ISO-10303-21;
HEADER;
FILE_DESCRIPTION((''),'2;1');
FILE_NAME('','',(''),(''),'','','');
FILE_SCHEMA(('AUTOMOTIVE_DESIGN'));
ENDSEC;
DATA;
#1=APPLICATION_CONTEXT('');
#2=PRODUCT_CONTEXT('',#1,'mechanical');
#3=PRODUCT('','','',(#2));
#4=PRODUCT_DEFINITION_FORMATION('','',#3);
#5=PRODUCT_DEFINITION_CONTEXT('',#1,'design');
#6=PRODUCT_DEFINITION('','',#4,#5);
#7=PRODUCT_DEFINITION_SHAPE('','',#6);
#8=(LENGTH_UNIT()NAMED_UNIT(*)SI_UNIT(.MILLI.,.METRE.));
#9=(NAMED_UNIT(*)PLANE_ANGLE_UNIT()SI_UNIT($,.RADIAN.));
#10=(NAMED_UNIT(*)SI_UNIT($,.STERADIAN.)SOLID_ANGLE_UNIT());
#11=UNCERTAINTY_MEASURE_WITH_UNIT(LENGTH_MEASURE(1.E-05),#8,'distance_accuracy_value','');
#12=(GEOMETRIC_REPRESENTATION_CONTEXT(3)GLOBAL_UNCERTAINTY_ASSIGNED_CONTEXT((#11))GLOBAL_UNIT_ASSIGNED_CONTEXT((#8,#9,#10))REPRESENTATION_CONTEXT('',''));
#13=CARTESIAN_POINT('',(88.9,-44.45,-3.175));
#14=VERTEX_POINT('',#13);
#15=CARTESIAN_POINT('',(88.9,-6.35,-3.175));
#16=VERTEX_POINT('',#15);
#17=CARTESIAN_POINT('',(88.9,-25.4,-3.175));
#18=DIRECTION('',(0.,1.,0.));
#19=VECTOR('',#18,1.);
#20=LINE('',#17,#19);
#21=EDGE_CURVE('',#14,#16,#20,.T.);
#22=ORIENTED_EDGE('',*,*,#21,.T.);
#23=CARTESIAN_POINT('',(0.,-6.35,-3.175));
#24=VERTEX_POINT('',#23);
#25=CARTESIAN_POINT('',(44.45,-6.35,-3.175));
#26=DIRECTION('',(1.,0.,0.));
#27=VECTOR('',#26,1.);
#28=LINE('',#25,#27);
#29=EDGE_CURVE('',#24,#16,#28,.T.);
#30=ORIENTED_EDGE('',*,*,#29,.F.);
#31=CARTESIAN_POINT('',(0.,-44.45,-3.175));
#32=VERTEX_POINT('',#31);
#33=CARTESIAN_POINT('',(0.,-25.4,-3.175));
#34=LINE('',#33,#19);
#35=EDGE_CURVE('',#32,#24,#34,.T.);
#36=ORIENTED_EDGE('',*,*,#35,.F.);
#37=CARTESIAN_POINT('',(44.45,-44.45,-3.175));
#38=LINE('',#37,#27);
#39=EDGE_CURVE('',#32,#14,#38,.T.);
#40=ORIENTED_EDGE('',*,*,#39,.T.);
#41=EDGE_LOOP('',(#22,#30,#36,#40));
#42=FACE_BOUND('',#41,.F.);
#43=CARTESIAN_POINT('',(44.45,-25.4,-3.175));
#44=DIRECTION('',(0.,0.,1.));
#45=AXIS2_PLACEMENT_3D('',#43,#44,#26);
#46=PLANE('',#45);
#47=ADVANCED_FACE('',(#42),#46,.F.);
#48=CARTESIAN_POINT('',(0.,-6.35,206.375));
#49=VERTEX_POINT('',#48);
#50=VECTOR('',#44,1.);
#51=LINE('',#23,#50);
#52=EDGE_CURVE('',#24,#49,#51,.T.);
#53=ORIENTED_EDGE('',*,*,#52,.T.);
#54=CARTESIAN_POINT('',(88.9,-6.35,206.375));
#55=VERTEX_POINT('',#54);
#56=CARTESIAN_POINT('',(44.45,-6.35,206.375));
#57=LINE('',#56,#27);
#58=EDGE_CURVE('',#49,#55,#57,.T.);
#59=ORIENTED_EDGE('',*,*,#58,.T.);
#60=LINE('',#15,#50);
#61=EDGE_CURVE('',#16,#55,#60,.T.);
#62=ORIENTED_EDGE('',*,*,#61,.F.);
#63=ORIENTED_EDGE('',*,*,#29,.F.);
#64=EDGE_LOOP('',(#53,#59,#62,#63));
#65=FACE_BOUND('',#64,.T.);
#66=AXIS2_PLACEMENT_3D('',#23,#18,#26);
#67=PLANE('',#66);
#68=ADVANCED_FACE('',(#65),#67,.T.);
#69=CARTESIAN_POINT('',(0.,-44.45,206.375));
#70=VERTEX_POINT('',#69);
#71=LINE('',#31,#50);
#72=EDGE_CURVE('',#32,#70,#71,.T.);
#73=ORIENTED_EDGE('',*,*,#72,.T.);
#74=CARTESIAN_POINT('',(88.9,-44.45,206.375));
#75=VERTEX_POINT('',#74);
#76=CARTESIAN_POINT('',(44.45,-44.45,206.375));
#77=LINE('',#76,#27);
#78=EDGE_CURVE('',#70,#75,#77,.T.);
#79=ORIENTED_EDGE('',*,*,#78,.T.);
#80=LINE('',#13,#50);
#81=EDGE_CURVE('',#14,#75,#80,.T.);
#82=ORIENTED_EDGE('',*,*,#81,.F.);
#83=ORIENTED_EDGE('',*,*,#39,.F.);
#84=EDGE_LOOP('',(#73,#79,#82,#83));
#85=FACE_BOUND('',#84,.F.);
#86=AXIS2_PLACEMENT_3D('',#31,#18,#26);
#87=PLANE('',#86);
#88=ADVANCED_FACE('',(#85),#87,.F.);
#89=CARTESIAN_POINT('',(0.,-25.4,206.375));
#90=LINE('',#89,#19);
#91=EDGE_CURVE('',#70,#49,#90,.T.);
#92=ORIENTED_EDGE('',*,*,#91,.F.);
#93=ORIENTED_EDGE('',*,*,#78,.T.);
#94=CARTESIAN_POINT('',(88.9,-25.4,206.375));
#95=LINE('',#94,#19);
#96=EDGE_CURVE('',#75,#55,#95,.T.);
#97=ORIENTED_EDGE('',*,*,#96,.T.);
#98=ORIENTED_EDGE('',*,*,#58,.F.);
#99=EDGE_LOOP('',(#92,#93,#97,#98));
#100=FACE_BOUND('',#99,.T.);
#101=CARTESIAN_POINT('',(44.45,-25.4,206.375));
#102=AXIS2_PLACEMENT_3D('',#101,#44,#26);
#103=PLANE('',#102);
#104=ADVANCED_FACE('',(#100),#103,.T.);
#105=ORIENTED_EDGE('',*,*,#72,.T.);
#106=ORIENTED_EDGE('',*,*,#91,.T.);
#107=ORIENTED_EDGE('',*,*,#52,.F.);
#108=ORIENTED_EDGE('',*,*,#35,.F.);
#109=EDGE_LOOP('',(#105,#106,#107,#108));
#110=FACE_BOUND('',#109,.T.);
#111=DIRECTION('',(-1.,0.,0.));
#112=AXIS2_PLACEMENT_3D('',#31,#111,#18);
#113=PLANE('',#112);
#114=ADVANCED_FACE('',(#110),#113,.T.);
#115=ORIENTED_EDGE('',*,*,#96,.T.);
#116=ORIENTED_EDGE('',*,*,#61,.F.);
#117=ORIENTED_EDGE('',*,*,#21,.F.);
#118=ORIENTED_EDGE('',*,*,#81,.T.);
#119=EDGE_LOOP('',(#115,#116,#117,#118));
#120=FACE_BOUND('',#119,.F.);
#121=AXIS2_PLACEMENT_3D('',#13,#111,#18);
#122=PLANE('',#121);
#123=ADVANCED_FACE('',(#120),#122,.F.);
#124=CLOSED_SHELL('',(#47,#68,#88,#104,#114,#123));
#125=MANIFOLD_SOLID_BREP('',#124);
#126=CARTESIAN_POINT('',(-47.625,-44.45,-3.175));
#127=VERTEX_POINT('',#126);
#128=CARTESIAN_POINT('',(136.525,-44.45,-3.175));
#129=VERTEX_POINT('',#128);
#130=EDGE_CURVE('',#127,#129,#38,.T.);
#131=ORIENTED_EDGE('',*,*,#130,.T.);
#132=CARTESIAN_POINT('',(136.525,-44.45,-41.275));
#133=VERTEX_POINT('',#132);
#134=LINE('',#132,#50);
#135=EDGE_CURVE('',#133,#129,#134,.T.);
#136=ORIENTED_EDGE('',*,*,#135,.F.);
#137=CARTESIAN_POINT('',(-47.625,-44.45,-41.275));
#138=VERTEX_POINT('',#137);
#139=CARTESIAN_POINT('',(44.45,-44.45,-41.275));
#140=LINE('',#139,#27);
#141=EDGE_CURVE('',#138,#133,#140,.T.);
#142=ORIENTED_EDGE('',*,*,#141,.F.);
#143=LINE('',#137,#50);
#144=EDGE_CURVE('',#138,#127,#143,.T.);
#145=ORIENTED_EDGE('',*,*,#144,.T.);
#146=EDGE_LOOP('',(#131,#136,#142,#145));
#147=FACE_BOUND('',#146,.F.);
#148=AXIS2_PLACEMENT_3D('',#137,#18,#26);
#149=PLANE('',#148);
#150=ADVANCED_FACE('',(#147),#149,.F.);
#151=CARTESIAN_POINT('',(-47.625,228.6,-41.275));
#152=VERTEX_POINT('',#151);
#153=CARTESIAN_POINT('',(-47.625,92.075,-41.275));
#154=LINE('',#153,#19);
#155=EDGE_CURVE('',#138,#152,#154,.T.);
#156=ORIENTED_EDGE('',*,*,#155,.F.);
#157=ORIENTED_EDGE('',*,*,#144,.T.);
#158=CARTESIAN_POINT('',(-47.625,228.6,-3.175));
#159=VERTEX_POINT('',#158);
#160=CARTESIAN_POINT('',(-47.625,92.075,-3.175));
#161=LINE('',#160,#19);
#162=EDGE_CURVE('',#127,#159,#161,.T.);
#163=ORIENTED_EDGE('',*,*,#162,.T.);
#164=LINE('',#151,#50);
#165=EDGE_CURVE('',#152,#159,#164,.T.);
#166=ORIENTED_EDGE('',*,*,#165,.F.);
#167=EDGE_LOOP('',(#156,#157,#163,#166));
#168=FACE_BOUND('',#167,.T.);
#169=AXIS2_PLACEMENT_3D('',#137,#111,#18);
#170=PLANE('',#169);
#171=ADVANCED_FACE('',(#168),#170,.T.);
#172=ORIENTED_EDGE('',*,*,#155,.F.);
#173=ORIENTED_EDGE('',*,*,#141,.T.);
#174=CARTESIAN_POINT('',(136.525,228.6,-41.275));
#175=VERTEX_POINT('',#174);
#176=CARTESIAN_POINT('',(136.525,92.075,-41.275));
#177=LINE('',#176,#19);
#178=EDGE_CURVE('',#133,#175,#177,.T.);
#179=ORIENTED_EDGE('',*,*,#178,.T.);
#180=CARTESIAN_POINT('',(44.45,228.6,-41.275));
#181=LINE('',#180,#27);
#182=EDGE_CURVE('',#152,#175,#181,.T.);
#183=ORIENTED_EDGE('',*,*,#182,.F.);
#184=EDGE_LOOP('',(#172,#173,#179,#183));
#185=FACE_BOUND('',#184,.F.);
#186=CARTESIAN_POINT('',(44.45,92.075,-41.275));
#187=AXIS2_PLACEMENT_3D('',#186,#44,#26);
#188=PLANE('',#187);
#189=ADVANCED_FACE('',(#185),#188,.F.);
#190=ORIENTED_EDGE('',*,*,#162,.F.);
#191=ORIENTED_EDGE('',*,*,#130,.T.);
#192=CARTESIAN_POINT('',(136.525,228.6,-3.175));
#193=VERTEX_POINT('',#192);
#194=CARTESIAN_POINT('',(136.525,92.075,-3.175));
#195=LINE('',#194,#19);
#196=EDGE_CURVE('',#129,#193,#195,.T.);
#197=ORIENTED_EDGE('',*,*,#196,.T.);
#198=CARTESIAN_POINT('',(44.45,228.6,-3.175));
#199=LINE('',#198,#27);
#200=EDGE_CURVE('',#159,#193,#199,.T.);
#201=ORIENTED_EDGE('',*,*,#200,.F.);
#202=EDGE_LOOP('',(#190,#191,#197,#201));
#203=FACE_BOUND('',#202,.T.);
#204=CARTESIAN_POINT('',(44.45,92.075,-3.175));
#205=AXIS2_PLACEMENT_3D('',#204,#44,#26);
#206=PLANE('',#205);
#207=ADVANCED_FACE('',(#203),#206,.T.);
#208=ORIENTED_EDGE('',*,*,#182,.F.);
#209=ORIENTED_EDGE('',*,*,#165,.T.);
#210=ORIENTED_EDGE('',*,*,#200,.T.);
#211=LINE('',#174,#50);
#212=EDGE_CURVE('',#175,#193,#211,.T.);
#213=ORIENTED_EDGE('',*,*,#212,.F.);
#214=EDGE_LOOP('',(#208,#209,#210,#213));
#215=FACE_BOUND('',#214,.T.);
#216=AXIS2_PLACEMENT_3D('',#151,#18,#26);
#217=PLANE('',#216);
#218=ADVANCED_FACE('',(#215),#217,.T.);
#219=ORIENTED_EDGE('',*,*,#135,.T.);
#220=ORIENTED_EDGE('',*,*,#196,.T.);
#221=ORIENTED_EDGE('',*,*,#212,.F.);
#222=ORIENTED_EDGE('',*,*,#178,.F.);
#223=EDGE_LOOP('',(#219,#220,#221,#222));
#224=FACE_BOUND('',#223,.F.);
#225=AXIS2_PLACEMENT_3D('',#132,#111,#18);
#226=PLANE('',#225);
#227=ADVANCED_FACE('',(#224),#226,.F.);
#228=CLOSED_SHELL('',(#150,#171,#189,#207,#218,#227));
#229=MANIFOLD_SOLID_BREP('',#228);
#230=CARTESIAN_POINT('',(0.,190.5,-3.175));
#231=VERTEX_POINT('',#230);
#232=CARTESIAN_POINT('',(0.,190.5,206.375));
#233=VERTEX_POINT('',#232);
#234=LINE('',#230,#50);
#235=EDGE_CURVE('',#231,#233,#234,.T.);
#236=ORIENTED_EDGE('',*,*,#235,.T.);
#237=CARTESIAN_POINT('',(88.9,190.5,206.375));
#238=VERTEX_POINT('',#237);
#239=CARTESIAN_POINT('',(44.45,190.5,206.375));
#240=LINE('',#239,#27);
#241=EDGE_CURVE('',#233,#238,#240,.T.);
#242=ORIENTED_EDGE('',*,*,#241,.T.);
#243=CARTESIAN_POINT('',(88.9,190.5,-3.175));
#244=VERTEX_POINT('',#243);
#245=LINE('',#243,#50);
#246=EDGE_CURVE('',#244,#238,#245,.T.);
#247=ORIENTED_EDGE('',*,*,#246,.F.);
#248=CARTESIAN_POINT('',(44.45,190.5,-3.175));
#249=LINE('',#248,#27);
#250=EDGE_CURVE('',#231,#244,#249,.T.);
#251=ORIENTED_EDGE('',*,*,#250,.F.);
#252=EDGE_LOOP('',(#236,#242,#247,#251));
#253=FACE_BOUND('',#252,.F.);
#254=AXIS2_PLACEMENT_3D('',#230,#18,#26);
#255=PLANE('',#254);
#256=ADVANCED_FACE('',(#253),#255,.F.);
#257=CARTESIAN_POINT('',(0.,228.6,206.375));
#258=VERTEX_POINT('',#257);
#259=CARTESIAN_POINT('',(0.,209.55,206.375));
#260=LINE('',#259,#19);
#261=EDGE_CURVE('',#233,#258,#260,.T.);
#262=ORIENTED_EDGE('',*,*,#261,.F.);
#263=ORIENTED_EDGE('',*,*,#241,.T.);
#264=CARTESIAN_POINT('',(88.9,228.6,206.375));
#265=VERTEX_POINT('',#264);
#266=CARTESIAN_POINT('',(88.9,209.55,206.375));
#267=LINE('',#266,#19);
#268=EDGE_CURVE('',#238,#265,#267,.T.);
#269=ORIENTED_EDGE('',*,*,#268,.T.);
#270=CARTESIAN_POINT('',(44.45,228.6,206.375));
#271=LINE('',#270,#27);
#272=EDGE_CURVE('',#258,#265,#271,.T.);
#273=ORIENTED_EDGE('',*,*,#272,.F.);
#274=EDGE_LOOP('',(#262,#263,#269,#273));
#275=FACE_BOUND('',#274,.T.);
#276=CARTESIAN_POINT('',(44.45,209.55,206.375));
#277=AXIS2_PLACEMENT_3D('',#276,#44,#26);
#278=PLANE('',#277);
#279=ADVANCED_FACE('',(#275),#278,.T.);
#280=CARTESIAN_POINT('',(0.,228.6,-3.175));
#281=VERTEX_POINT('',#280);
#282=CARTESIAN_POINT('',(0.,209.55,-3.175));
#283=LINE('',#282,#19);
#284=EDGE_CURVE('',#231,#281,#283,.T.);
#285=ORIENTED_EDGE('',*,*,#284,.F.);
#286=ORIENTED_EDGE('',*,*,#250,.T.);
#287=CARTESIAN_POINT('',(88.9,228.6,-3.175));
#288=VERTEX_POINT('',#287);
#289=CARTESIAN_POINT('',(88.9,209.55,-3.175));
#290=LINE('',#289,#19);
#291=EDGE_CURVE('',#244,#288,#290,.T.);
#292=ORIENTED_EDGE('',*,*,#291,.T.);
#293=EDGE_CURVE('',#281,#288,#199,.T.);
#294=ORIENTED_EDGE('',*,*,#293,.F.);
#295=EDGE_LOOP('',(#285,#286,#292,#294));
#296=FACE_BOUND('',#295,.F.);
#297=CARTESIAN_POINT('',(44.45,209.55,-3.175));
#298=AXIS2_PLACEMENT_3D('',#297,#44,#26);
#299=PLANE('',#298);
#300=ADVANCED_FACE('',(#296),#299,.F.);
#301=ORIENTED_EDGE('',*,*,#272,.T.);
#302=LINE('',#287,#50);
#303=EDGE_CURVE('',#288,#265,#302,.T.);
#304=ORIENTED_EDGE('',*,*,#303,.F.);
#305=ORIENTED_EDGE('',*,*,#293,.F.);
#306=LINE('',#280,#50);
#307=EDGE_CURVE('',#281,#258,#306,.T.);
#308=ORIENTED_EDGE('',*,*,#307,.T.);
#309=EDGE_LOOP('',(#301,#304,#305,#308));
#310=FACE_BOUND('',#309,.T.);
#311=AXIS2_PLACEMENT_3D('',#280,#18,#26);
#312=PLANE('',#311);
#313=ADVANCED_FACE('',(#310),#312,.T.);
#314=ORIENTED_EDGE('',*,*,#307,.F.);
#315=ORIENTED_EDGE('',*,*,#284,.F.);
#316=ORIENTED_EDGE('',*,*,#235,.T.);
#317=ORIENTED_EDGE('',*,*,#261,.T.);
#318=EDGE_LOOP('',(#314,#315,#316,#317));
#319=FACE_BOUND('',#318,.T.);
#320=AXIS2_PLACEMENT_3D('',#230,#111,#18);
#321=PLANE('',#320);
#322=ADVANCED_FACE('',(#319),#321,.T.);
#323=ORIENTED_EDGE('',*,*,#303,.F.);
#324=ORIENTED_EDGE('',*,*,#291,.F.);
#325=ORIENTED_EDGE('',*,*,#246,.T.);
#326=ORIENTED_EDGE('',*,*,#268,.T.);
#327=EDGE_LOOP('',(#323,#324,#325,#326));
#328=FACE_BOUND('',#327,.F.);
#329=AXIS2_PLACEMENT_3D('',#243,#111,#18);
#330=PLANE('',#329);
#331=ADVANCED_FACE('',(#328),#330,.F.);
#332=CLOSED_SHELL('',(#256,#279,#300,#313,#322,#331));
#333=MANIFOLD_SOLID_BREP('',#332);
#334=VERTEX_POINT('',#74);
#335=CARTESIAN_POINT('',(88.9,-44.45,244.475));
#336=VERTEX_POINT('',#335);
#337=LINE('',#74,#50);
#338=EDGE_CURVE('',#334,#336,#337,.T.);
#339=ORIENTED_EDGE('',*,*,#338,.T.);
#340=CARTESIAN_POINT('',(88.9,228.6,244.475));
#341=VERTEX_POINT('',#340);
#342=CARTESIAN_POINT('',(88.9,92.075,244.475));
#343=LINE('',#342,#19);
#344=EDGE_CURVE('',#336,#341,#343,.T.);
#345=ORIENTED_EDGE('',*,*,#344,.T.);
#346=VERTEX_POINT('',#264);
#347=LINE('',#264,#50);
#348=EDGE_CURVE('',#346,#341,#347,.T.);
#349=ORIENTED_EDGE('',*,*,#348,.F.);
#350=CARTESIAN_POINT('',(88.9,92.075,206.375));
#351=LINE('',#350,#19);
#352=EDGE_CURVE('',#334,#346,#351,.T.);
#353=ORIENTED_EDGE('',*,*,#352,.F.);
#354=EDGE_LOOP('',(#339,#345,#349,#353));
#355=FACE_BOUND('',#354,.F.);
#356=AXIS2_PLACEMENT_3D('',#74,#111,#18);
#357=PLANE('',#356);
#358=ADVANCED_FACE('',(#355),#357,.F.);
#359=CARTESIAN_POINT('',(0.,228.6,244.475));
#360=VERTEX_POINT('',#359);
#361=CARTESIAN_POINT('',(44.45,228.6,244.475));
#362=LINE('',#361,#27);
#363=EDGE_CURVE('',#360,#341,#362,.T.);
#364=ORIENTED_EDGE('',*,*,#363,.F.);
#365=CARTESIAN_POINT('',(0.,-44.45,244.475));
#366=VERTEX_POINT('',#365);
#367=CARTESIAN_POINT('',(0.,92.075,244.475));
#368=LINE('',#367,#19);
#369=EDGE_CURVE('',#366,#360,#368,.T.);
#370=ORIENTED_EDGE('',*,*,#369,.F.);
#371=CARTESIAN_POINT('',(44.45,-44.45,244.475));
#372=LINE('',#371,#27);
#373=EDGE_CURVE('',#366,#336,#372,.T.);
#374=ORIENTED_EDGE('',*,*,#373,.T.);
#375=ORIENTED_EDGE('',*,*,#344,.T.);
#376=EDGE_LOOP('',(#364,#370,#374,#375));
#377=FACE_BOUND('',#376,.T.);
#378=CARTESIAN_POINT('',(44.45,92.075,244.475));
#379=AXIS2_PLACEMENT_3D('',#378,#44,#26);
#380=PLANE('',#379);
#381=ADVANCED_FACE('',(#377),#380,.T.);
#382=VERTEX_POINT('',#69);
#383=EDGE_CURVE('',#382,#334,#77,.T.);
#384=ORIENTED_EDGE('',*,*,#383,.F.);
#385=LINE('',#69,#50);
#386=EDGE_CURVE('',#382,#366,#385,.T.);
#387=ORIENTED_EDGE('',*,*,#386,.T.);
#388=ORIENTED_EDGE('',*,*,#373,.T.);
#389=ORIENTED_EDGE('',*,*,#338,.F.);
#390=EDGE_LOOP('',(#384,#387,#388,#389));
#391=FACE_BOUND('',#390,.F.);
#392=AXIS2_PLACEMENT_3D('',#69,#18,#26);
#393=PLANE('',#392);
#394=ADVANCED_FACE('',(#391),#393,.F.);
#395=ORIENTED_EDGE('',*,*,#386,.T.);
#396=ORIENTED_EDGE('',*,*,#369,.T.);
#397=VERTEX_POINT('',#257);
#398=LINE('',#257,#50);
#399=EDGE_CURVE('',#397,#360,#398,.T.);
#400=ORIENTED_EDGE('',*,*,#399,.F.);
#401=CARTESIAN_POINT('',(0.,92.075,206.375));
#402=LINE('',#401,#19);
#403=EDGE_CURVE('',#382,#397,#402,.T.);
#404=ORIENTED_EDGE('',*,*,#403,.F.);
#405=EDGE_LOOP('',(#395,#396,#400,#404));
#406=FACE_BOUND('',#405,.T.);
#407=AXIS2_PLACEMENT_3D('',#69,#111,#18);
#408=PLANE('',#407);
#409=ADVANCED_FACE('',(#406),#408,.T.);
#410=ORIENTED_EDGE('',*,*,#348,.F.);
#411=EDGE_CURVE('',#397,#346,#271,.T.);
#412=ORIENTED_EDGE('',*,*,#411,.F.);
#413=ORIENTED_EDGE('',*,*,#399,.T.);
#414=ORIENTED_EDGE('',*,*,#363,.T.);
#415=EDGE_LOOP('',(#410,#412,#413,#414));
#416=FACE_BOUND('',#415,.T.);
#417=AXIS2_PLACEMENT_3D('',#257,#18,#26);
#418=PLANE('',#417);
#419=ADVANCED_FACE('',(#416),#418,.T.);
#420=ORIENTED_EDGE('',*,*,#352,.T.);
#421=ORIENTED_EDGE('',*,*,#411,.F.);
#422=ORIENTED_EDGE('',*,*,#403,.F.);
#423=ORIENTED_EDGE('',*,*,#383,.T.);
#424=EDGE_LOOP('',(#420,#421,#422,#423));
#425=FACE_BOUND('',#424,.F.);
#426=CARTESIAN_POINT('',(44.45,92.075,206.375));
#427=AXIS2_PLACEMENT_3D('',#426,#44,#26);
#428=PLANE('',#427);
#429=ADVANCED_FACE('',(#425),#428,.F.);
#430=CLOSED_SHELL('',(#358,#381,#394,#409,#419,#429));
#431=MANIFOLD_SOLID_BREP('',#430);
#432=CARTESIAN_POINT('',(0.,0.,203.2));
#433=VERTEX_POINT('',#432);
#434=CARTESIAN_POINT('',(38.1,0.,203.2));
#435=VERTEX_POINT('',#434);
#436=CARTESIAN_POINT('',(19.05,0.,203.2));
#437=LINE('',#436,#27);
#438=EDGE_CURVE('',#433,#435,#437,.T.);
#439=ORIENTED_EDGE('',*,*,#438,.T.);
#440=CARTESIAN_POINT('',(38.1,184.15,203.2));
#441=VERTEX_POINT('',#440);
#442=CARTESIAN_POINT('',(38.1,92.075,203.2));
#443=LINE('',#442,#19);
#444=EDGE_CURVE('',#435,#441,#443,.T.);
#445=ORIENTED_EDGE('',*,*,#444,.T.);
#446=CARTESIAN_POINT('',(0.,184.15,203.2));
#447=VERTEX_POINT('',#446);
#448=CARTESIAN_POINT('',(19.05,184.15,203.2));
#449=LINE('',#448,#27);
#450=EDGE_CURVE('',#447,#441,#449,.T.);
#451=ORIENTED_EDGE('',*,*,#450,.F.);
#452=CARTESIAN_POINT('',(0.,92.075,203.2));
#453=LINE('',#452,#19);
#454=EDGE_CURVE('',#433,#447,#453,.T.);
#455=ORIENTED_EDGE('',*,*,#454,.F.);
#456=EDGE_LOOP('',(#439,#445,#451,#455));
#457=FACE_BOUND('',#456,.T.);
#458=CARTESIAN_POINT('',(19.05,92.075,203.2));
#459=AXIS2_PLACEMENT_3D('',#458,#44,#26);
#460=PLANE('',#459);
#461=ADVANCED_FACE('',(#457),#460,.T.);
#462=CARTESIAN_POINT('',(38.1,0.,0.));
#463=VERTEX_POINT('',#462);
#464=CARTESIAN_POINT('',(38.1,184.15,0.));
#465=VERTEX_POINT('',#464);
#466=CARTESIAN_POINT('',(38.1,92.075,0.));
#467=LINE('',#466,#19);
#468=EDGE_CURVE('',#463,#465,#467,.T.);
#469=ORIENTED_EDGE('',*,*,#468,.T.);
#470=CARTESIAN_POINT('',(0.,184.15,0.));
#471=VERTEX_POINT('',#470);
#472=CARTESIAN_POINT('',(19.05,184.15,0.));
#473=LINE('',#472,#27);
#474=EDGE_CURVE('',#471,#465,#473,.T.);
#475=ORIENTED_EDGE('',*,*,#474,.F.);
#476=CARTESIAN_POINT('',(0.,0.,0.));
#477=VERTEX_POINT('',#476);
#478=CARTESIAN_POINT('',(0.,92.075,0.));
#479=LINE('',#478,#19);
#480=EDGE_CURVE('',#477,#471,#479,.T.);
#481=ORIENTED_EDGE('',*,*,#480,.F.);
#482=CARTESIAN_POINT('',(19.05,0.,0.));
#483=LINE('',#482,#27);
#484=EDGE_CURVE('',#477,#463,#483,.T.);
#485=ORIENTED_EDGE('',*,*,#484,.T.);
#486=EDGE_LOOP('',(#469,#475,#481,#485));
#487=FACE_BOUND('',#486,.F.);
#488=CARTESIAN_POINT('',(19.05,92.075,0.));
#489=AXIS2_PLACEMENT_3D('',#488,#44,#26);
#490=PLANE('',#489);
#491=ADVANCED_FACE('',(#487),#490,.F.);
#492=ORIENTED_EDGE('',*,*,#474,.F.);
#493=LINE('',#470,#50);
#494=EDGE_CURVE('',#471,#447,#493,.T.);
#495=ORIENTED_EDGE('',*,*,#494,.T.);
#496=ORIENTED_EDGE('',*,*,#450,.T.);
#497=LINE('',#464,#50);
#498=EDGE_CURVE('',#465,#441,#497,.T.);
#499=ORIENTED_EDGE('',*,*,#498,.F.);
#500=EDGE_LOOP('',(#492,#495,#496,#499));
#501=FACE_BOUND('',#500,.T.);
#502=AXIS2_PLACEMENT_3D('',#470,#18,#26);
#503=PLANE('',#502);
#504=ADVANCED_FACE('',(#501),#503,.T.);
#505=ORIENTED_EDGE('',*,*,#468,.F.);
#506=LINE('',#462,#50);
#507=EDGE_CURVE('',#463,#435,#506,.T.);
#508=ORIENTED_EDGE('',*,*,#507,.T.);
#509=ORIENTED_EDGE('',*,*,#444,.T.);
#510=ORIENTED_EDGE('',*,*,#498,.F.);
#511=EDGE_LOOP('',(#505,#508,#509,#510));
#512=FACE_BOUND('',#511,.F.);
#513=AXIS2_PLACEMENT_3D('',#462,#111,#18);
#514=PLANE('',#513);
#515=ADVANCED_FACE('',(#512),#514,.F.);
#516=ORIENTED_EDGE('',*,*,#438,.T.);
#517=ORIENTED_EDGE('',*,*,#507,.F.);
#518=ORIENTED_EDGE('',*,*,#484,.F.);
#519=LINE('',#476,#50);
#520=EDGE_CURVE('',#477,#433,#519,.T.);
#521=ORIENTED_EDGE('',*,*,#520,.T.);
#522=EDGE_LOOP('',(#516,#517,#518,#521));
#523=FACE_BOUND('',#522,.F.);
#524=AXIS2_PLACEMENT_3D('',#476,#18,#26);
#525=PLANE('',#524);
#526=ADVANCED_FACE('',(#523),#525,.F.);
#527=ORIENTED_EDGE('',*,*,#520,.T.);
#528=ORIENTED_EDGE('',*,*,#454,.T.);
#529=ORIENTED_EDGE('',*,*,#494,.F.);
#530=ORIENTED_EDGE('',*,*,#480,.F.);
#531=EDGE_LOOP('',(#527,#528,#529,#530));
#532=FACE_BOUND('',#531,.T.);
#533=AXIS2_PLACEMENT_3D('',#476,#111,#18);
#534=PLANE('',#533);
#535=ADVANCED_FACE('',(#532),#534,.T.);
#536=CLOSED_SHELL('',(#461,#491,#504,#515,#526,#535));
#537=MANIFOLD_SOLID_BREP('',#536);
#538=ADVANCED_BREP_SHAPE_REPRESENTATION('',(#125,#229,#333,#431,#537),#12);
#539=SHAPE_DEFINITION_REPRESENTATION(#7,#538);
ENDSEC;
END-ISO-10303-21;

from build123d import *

# Parameters (mm, degrees)
BOX_W        = 38.1
BOX_H        = 184.15
BOX_DEPTH    = 203.2
BOX001_W     = 184.15
BOX001_H     = 273.05
BOX001_DEPTH = 38.1
BOX002_W     = 88.9
BOX002_H     = 38.1
BOX002_DEPTH = 209.55
BOX003_W     = 88.9
BOX003_H     = 38.1
BOX003_DEPTH = 209.55
BOX004_W     = 88.9
BOX004_H     = 273.05
BOX004_DEPTH = 38.1


with BuildPart() as door:
    # Box → Box (new body)
    with BuildSketch(Plane.XY):
        with Locations((19.05, 92.075)):
            Rectangle(BOX_W, BOX_H)
    extrude(amount=BOX_DEPTH)


with BuildPart() as baseplate:
    # Box001 → Box001 (new body)
    with BuildSketch(Plane(origin=(-47.625, -44.45, -41.275), x_dir=(1, 0, 0), z_dir=(0, 0, 1))):
        with Locations((92.075, 136.525)):
            Rectangle(BOX001_W, BOX001_H)
    extrude(amount=BOX001_DEPTH)


with BuildPart() as rupright:
    # Box002 → Box002 (new body)
    with BuildSketch(Plane(origin=(0, -44.45, -3.175), x_dir=(1, 0, 0), z_dir=(0, 0, 1))):
        with Locations((44.45, 19.05)):
            Rectangle(BOX002_W, BOX002_H)
    extrude(amount=BOX002_DEPTH)


with BuildPart() as lupright:
    # Box003 → Box003 (new body)
    with BuildSketch(Plane(origin=(0, 190.5, -3.175), x_dir=(1, 0, 0), z_dir=(0, 0, 1))):
        with Locations((44.45, 19.05)):
            Rectangle(BOX003_W, BOX003_H)
    extrude(amount=BOX003_DEPTH)


with BuildPart() as lintel:
    # Box004 → Box004 (new body)
    with BuildSketch(Plane(origin=(0, -44.45, 206.375), x_dir=(1, 0, 0), z_dir=(0, 0, 1))):
        with Locations((44.45, 136.525)):
            Rectangle(BOX004_W, BOX004_H)
    extrude(amount=BOX004_DEPTH)


solid = Compound([door.part, baseplate.part, rupright.part, lupright.part, lintel.part])
